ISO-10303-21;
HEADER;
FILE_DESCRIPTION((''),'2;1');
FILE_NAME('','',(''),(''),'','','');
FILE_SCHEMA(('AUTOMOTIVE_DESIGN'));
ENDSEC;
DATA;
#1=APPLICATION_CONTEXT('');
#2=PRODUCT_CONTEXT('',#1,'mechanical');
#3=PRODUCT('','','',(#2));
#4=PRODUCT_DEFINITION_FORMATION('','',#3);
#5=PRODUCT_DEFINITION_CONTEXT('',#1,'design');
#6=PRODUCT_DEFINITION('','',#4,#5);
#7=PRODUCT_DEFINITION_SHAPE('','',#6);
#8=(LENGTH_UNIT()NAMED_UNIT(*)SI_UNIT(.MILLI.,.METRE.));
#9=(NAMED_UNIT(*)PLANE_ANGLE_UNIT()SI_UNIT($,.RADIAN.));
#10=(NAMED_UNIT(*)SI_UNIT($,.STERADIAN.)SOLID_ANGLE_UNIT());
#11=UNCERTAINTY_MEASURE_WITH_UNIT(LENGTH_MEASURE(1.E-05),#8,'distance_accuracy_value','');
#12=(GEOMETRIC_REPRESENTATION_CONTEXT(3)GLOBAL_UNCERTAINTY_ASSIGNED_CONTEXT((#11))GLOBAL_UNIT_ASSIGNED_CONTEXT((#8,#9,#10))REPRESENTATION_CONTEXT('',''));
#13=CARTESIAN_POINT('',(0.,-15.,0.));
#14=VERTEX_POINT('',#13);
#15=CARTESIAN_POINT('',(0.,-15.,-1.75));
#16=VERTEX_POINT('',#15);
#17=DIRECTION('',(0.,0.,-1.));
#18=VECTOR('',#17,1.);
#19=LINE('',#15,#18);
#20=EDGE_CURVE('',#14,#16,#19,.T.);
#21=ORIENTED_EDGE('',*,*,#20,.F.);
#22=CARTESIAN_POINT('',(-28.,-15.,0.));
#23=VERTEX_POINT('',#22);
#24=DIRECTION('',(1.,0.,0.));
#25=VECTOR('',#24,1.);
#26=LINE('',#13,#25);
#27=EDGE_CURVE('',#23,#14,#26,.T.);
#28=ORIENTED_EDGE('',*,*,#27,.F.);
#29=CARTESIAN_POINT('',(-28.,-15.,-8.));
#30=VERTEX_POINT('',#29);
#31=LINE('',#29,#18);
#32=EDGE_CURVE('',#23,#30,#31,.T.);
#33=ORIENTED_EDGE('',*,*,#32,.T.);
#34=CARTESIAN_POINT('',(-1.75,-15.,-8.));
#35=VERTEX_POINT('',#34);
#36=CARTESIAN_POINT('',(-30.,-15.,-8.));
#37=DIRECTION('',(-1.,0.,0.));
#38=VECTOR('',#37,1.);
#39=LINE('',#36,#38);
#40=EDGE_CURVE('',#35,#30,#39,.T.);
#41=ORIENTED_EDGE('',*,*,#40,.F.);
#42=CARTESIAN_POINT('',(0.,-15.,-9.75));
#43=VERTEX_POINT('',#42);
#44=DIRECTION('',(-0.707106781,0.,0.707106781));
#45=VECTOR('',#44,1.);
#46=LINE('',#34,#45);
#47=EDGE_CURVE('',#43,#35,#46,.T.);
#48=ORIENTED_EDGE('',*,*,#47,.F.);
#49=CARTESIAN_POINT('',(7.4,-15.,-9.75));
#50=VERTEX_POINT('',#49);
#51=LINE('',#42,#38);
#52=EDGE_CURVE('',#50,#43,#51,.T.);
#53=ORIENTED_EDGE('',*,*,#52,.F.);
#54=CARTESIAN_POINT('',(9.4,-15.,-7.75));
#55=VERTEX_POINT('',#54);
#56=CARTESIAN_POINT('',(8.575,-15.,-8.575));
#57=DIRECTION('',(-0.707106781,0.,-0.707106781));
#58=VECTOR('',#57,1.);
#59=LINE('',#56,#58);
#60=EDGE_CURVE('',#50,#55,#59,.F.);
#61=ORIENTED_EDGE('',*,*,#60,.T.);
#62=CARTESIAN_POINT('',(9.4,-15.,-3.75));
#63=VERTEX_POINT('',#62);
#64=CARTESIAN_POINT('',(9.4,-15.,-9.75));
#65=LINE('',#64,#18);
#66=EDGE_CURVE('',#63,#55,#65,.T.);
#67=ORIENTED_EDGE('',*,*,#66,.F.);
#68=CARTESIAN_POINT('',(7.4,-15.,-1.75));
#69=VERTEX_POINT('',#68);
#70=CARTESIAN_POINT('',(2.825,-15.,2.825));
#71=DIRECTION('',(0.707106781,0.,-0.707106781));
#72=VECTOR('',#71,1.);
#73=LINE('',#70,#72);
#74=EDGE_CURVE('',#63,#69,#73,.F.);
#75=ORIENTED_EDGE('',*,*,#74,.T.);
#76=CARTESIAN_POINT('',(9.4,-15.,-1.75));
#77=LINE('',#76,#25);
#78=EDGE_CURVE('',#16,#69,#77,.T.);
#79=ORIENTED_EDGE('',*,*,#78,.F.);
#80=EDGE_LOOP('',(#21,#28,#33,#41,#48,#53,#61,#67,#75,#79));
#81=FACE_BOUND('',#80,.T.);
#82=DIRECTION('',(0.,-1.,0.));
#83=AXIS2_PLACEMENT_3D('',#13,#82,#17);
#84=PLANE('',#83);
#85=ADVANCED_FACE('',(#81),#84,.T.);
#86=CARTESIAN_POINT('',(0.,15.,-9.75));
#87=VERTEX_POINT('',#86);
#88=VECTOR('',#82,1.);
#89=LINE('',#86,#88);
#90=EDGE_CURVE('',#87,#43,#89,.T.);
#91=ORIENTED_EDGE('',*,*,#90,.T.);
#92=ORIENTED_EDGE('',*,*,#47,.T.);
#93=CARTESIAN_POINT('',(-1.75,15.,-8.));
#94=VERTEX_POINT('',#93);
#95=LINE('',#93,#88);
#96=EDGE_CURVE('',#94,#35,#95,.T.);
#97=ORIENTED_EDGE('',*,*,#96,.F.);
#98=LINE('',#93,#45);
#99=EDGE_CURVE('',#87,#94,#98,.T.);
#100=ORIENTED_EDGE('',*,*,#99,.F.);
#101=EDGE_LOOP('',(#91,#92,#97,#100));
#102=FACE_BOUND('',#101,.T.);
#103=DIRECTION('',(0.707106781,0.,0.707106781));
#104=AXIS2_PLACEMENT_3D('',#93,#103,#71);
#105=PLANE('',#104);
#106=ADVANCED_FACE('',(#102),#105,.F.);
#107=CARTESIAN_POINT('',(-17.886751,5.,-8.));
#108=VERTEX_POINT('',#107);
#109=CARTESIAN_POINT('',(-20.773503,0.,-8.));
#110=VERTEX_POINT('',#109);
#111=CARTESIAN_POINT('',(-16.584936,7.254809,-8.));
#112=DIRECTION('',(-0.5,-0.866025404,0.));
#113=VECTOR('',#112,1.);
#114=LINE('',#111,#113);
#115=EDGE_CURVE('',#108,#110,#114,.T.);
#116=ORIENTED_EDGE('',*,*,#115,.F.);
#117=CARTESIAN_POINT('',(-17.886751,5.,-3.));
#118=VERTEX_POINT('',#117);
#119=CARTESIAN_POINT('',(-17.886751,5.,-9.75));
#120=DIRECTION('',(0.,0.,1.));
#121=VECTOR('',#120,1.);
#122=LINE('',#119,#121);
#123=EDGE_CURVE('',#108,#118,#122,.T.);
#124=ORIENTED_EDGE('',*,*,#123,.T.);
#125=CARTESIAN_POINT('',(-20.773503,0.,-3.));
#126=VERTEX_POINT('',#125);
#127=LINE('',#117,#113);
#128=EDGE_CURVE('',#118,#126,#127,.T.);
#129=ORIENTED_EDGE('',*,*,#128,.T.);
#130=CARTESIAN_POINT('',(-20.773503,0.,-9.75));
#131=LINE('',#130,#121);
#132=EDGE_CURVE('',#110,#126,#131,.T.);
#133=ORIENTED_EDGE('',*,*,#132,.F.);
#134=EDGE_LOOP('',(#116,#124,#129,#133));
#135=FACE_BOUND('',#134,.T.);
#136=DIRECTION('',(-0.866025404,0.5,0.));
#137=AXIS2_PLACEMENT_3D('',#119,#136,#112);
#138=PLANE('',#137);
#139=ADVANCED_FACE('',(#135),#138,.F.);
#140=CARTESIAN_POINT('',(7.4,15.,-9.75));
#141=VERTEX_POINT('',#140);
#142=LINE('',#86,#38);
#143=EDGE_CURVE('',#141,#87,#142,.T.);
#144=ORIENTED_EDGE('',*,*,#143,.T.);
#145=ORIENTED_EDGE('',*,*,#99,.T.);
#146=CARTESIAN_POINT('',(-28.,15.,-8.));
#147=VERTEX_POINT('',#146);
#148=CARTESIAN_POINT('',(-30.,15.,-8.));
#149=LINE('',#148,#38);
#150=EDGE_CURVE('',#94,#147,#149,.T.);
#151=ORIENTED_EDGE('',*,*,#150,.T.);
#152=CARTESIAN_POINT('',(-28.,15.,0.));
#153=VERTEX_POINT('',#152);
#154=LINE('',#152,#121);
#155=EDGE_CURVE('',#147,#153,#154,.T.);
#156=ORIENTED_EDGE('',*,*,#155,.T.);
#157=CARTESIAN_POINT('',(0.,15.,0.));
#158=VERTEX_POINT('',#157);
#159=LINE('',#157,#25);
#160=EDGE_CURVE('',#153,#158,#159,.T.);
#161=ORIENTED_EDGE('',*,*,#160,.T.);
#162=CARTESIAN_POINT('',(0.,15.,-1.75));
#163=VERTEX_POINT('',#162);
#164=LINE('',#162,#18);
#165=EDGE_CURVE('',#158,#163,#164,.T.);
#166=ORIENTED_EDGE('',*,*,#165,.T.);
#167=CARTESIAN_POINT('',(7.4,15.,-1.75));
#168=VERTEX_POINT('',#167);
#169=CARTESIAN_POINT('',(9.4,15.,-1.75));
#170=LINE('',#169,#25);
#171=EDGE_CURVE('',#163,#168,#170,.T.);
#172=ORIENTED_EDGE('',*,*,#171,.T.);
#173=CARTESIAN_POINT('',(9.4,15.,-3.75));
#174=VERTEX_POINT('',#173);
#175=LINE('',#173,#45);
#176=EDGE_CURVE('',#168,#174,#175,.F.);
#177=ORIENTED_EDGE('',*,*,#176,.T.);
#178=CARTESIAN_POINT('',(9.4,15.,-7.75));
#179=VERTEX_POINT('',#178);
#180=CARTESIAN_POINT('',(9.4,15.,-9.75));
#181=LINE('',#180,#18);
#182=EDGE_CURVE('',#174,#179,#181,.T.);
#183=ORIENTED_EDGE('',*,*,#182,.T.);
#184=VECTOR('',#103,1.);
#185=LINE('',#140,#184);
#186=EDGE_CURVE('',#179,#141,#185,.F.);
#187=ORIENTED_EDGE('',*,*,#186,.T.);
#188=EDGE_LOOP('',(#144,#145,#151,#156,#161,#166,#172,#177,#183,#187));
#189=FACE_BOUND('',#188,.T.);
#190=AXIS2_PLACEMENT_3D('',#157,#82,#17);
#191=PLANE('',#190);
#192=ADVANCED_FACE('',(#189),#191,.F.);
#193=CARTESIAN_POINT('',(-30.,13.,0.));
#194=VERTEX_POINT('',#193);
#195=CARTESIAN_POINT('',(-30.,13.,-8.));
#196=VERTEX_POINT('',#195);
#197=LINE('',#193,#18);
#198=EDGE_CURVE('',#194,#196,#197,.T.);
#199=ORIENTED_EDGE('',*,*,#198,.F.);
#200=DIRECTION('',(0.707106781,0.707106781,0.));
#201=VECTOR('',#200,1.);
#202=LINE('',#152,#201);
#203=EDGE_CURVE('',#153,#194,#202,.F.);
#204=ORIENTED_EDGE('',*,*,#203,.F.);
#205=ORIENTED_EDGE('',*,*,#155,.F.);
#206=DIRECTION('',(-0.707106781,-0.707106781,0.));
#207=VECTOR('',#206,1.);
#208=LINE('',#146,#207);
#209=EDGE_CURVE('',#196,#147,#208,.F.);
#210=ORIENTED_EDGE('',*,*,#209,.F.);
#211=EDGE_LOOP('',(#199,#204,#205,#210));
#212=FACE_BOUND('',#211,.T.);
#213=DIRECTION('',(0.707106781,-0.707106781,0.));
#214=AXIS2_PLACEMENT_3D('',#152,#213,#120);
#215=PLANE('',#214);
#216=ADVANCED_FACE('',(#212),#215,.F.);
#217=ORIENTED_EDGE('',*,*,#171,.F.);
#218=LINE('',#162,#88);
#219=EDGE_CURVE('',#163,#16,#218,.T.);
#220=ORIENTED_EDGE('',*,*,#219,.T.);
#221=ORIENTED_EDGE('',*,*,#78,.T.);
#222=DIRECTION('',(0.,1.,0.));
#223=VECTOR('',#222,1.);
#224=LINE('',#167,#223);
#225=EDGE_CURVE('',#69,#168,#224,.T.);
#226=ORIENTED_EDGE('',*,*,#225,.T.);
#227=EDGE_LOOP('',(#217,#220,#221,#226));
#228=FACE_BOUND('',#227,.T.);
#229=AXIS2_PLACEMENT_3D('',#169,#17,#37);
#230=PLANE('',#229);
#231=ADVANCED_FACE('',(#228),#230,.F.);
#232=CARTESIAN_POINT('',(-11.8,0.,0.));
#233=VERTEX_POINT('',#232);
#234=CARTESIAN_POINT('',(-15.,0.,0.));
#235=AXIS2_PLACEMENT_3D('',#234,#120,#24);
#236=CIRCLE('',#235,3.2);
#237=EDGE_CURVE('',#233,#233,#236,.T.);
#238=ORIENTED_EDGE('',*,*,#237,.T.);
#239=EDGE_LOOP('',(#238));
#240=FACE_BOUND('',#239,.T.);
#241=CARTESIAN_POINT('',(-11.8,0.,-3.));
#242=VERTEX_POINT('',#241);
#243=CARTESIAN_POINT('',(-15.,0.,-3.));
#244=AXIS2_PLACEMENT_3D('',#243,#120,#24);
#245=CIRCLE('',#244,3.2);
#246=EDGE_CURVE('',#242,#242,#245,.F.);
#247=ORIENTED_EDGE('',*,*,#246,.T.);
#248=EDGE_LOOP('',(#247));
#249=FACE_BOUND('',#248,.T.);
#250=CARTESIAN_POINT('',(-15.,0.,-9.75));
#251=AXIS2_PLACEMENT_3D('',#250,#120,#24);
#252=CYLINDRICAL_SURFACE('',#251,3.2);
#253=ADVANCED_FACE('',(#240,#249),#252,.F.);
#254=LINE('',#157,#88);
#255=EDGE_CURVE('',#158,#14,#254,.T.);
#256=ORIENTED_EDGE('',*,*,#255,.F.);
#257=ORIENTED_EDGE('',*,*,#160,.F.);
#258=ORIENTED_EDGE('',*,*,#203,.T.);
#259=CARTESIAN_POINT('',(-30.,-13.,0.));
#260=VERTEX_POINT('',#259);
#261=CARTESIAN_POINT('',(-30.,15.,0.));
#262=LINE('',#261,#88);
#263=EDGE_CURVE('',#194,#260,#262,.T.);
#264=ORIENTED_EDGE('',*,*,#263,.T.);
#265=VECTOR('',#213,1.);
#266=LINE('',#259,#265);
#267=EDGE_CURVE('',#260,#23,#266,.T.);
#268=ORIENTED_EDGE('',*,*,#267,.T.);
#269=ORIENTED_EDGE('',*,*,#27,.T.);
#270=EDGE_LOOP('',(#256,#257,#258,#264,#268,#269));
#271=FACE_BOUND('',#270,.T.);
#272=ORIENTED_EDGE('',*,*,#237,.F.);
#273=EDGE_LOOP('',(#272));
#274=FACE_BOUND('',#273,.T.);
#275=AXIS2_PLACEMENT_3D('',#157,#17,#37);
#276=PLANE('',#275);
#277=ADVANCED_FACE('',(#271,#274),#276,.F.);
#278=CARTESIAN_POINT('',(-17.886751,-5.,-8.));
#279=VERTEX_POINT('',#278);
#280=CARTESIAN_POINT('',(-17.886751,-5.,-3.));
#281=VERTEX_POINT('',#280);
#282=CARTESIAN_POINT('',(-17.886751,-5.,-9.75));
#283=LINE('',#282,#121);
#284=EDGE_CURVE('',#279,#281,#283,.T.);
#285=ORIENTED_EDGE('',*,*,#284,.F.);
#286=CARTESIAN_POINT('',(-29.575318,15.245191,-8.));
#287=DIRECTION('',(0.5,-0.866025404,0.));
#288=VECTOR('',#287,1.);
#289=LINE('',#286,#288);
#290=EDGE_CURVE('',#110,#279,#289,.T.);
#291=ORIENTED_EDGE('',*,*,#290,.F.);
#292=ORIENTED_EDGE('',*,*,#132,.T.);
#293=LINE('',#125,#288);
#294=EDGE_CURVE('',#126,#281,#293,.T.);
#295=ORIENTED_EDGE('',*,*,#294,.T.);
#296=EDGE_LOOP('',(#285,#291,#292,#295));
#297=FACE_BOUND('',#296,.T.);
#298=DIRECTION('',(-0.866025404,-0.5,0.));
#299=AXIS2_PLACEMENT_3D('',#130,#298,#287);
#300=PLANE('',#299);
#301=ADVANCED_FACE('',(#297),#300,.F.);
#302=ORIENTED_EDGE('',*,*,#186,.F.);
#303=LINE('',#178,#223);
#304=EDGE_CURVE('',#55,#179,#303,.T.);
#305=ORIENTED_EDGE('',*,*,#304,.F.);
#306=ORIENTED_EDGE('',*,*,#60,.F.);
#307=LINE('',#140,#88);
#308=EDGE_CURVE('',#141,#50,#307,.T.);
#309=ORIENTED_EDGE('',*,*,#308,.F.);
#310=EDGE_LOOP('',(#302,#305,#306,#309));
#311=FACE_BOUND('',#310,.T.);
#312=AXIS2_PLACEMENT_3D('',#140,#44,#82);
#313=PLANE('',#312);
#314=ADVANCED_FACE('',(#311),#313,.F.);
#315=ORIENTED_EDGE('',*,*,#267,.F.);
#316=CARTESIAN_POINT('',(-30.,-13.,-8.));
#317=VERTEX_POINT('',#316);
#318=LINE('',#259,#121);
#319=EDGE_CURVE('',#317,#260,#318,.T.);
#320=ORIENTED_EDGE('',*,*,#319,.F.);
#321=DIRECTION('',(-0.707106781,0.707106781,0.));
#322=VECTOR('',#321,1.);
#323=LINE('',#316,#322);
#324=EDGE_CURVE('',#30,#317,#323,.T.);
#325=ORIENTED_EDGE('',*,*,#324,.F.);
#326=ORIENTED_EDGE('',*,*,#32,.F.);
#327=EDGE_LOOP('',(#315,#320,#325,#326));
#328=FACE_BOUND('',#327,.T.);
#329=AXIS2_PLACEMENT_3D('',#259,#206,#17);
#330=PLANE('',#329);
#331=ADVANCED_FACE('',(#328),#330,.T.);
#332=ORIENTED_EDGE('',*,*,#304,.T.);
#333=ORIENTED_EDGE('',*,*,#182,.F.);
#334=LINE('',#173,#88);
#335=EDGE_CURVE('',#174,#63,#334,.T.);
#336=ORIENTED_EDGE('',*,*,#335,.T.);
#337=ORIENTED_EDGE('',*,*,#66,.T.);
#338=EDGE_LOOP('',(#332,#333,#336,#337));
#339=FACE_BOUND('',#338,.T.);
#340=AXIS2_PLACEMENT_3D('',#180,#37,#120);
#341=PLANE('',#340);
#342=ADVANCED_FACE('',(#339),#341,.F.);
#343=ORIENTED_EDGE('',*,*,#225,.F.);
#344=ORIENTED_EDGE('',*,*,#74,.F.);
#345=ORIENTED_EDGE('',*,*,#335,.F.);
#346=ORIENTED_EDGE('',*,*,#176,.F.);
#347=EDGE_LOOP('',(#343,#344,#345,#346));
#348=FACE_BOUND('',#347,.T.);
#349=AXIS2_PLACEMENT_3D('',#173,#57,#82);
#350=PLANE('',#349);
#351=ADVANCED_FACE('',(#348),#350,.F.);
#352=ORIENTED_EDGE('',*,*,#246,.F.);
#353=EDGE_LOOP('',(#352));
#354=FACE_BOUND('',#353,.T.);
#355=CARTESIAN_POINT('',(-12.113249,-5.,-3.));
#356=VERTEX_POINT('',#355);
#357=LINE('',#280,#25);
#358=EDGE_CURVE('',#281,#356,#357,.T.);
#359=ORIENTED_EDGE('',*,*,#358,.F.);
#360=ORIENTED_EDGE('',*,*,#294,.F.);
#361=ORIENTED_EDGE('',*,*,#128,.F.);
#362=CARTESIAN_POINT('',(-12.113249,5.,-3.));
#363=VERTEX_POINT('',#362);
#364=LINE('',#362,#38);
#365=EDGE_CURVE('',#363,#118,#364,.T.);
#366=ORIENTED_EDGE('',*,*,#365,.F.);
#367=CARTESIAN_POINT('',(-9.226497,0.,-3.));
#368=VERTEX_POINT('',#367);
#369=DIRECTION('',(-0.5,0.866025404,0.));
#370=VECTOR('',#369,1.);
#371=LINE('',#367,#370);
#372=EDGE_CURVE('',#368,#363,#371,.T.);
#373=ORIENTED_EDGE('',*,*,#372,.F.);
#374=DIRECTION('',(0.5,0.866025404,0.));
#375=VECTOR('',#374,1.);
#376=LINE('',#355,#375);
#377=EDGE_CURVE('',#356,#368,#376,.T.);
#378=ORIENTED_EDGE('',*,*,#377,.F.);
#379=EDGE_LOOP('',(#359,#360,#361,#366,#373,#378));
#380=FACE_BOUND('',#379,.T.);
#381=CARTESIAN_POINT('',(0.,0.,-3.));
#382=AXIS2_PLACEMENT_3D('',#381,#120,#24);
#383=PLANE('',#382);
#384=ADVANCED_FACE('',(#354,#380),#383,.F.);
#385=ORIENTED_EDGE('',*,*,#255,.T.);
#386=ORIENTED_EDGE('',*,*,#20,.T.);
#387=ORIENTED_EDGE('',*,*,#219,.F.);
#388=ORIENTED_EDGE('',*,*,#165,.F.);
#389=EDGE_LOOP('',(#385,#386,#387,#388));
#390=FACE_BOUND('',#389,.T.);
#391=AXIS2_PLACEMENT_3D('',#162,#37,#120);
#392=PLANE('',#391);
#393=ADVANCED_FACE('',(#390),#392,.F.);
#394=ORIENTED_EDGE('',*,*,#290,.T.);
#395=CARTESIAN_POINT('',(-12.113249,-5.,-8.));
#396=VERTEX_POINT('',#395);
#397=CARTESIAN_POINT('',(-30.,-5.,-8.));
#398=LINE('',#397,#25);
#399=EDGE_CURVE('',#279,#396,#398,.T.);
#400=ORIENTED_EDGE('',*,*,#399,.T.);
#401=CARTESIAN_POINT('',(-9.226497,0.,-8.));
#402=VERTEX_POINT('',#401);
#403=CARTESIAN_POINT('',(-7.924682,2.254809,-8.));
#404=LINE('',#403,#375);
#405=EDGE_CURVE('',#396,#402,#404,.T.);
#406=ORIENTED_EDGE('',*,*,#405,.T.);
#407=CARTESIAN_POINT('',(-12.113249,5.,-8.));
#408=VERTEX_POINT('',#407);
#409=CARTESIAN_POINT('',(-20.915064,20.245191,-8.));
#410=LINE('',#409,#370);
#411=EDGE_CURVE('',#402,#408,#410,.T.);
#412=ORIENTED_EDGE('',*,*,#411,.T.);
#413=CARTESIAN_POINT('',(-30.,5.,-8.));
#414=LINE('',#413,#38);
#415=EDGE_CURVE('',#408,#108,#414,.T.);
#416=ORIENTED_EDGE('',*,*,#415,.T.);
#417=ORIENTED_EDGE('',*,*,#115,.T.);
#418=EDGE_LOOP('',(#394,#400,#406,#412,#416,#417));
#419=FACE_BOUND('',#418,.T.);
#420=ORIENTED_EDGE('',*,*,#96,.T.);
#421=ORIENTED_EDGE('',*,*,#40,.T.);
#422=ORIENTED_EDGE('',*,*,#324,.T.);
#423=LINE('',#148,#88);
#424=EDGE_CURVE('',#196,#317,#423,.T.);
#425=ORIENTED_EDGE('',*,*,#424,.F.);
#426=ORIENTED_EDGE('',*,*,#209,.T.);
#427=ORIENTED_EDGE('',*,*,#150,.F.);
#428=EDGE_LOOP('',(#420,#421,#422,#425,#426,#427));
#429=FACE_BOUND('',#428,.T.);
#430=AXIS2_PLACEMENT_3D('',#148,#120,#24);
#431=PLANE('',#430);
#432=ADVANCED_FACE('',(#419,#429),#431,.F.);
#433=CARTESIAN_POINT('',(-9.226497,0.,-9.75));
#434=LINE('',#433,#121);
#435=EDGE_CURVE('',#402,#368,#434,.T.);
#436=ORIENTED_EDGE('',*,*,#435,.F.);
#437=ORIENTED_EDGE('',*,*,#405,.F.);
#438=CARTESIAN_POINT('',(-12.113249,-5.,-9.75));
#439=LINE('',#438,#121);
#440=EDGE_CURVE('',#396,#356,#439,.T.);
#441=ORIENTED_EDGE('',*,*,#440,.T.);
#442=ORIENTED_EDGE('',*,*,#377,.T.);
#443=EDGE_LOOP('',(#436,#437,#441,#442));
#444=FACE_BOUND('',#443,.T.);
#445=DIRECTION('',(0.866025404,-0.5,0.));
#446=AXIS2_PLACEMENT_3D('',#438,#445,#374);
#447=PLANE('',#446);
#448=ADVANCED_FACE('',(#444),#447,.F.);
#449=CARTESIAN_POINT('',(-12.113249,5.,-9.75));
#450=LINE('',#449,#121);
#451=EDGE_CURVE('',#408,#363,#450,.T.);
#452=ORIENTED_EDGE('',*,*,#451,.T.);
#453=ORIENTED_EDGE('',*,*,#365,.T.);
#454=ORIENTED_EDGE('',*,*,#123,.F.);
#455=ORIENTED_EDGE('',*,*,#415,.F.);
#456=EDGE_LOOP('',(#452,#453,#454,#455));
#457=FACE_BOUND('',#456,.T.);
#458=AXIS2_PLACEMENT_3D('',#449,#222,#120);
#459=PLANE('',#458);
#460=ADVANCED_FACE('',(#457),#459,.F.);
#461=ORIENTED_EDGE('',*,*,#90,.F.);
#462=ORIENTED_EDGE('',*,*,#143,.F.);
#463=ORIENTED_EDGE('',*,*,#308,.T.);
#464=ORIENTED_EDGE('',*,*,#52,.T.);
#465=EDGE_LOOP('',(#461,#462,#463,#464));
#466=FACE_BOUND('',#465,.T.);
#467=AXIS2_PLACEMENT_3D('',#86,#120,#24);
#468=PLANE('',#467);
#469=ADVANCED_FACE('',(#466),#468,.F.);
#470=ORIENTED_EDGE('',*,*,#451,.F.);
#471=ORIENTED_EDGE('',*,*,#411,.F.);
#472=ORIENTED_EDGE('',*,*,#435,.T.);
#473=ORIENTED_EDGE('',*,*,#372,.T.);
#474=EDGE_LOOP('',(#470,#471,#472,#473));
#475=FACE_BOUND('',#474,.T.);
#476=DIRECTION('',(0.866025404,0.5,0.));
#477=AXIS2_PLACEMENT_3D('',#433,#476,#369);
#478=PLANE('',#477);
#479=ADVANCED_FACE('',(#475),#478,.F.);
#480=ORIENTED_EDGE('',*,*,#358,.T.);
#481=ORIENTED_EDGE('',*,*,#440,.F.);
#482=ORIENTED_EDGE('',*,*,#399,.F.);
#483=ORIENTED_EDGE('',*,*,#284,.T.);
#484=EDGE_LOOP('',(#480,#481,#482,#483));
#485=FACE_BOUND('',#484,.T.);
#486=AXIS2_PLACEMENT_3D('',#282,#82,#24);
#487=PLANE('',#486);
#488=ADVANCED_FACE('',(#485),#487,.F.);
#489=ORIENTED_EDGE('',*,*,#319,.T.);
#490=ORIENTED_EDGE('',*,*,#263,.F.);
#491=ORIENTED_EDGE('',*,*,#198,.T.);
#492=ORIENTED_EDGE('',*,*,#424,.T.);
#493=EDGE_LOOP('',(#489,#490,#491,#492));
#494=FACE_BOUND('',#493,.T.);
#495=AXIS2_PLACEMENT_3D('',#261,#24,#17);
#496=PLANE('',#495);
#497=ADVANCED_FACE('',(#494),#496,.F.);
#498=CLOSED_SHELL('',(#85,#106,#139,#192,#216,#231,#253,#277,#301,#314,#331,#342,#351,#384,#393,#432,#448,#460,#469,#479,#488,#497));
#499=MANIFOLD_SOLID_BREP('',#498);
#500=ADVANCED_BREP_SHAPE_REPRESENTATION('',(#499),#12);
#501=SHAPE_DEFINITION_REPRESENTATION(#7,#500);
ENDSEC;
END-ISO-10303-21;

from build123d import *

# Parameters (mm, degrees)
SALIENTE_EXTRUIR1_DEPTH = 15
CROQUIS2_R              = 3.2
CORTAR_EXTRUIR1_DEPTH   = 10.75
CORTAR_EXTRUIR2_START   = -3
CORTAR_EXTRUIR2_DEPTH   = 7.75
CHAFL_N1_SIZE           = 2


with BuildPart() as part:
    # Croquis1 → Saliente-Extruir1 (new body, symmetric)
    with BuildSketch(Plane(origin=(0, 0, 0), x_dir=(1, 0, 0), z_dir=(0, 1, 0))):
        Polygon((0, 0), (-30, 0), (-30, 8), (-1.75, 8), (0, 9.75), (9.4, 9.75), (9.4, 1.75), (0, 1.75), align=None)
    extrude(amount=SALIENTE_EXTRUIR1_DEPTH, both=True)

    # Croquis2 → Cortar-Extruir1 (cut, through all)
    with BuildSketch(Plane.XY):
        with Locations((-15, 0)):
            Circle(CROQUIS2_R)
    extrude(amount=-CORTAR_EXTRUIR1_DEPTH, mode=Mode.SUBTRACT)

    # Croquis3 → Cortar-Extruir2 (cut, through all)
    with BuildSketch(Plane.XY.offset(CORTAR_EXTRUIR2_START)):
        Polygon((-9.226497308, 0), (-12.113248654, 5), (-17.886751346, 5), (-20.773502692, 0), (-17.886751346, -5), (-12.113248654, -5), align=None)
    extrude(amount=-CORTAR_EXTRUIR2_DEPTH, mode=Mode.SUBTRACT)

    # Chaflán1
    chafl_n1_edges = [part.edges().sort_by_distance(p)[0] for p in [
        (9.4, 0, -9.75),
        (9.4, 0, -1.75),
        (-30, 15, -4),
        (-30, -15, -4),
    ]]
    chamfer(chafl_n1_edges, length=CHAFL_N1_SIZE)


solid = part.part
